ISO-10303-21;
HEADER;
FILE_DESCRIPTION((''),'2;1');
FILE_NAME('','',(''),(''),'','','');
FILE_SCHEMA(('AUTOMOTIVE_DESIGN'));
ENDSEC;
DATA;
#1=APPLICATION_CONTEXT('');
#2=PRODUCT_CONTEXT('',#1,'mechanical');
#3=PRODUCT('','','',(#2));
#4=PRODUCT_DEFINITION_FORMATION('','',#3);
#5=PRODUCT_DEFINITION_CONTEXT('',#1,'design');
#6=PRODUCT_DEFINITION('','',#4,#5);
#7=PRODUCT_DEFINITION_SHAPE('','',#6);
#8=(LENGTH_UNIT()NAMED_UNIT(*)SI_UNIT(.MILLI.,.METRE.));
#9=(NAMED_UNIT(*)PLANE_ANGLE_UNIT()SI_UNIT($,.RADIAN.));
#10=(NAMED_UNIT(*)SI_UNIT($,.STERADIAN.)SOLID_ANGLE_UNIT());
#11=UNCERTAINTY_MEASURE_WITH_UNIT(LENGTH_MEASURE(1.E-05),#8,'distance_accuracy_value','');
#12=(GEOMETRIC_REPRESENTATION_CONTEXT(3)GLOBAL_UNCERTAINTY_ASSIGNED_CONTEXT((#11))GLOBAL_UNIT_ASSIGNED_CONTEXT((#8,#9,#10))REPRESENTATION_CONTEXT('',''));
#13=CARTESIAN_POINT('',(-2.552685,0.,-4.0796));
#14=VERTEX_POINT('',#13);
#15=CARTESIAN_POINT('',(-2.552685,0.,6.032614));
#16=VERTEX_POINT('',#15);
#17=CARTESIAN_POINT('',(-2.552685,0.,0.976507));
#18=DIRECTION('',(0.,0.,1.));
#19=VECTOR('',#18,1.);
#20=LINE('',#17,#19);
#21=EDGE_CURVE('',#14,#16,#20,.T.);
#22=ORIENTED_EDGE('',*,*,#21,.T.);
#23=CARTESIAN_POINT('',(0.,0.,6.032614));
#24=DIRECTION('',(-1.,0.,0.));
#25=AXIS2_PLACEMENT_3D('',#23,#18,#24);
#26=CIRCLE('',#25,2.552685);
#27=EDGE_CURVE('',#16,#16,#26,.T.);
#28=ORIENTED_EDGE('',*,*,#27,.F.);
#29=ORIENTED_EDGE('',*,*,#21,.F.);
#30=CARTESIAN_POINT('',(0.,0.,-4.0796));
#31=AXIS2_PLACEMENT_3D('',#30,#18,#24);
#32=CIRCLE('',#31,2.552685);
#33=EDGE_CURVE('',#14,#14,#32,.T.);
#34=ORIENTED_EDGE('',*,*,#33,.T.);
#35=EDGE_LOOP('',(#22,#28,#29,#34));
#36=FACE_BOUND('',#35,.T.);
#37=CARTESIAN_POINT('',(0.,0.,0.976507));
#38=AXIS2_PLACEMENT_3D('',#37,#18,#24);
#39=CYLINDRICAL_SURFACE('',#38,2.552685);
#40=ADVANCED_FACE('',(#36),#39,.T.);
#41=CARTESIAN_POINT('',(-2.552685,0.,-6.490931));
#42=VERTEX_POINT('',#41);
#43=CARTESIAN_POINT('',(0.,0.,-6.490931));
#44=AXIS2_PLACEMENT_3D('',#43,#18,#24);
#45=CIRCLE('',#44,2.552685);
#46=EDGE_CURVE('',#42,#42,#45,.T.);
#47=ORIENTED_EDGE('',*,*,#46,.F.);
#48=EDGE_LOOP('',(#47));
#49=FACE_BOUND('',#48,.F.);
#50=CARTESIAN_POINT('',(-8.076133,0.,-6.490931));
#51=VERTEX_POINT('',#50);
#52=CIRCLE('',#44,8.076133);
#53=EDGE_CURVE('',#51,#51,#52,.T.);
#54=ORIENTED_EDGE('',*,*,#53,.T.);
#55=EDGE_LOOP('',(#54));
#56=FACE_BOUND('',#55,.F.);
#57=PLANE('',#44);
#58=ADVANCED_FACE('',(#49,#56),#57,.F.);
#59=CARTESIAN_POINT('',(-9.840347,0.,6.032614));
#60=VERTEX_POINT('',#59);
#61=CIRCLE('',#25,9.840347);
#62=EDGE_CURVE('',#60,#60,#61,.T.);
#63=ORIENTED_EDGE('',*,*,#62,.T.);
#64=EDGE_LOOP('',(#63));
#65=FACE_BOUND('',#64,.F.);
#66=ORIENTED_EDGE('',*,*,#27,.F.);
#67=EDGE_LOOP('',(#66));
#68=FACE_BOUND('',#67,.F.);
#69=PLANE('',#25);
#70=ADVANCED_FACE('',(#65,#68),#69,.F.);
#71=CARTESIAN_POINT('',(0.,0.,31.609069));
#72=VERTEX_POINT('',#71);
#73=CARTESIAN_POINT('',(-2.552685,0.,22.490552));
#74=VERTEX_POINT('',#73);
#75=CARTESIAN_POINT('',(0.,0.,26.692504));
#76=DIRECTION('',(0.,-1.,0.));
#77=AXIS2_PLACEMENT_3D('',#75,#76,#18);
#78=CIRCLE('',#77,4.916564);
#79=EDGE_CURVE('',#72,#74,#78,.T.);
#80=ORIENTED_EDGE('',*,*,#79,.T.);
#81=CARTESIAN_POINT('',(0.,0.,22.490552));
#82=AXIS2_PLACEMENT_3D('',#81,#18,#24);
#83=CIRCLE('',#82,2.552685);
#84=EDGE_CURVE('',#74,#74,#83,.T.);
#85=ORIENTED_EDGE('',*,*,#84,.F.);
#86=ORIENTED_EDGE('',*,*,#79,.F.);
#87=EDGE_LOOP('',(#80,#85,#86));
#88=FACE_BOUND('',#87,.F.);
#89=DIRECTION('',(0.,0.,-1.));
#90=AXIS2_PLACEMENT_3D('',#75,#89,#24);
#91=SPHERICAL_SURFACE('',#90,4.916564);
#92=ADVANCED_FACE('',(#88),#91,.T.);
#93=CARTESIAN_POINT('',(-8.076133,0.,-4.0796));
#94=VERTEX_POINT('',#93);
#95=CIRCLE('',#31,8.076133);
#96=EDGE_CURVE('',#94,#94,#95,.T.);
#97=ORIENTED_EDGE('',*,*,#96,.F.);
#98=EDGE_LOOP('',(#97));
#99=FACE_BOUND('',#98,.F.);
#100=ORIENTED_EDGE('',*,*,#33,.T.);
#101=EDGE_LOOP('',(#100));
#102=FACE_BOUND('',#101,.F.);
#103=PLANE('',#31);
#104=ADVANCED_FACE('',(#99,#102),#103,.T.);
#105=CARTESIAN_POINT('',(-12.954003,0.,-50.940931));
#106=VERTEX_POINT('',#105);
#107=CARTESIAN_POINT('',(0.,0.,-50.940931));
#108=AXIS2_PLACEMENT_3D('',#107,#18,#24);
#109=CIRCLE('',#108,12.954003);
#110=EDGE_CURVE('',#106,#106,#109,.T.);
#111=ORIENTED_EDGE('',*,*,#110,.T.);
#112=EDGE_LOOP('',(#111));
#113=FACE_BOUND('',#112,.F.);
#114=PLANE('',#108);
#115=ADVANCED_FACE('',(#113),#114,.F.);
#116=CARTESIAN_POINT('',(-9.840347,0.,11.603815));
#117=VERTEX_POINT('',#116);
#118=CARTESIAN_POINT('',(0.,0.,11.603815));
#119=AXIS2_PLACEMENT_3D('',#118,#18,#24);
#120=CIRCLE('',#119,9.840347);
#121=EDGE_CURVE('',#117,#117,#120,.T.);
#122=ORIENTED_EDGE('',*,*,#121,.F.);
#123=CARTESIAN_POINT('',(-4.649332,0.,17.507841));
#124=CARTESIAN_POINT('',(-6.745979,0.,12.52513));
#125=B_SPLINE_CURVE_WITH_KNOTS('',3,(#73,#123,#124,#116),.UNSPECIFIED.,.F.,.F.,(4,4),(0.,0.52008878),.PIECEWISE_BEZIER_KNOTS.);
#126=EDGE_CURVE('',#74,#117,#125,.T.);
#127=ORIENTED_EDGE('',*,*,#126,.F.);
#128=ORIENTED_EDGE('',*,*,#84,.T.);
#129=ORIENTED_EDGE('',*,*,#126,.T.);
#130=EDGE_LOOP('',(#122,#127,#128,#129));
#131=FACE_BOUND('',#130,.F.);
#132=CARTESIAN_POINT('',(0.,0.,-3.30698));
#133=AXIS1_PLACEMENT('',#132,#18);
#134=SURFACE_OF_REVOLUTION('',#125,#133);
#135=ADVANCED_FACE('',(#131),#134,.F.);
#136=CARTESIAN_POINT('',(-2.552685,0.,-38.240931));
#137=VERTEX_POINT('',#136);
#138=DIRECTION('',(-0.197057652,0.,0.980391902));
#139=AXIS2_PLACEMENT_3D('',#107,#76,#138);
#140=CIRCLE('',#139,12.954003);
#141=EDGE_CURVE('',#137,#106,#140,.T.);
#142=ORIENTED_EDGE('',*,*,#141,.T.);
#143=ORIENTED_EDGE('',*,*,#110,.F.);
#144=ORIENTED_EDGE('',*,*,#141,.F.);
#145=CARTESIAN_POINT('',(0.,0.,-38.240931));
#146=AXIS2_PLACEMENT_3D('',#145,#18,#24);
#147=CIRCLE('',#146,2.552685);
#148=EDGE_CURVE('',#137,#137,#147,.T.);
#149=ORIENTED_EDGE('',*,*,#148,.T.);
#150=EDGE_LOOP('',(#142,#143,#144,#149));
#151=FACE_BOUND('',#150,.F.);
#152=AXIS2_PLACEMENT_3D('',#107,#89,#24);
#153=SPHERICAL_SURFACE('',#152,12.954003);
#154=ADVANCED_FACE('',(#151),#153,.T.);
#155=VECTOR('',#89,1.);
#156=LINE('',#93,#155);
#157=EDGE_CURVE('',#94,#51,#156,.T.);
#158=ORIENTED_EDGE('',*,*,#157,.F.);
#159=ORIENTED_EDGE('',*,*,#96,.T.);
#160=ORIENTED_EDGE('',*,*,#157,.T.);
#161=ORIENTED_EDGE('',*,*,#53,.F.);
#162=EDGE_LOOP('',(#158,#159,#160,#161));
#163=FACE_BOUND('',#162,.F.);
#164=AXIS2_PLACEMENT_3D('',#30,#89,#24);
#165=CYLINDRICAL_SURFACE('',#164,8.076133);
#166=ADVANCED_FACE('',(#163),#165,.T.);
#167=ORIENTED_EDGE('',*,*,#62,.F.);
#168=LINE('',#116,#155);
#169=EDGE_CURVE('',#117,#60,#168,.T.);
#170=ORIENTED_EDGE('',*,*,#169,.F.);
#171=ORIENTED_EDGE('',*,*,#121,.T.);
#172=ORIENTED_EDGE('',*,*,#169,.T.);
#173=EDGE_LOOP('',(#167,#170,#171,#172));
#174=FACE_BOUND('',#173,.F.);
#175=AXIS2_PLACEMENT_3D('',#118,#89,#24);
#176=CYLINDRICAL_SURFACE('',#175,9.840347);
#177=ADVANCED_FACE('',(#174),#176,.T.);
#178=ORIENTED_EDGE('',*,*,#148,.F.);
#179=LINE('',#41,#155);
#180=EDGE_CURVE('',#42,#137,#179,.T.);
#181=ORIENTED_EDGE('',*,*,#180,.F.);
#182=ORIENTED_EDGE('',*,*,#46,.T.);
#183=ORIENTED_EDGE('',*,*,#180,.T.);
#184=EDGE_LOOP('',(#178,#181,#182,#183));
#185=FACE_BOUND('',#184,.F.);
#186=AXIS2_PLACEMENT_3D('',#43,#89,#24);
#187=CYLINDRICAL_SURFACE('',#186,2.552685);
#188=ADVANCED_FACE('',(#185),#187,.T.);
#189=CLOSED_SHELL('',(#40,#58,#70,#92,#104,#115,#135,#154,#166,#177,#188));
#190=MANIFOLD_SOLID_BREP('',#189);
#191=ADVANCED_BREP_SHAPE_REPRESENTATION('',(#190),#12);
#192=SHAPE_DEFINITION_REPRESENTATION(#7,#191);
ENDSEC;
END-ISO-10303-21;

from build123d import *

# Parameters (mm, degrees)
F0_W = 2.5526854842
F0_H = 10.1122138213


with BuildPart() as f1:
    # F0 (on Front) → F1 (revolve)
    with BuildSketch(Plane.XZ):
        with BuildLine():
            Line((-12.954003365, -50.9409314715), (0, -50.9409314715))
            Line((0, -50.9409314715), (0, -6.4909314715))
            Line((0, -6.4909314715), (-2.5526854842, -6.4909314715))
            Line((-2.5526854842, -6.4909314715), (-2.5526854842, -38.2409314715))
            ThreePointArc((-2.5526854842, -38.2409314715), (-10.0218186856, -42.7330478579), (-12.954003365, -50.9409314715))
        make_face()
        Polygon((-2.5526854842, -6.4909314715), (0, -6.4909314715), (0, -4.079599589), (-2.5526854842, -4.079599589), (-8.0761329529, -4.079599589), (-8.0761329529, -6.4909314715), align=None)
        with Locations((-1.2763427421, 0.9765073217)):
            Rectangle(F0_W, F0_H)
        Polygon((-2.5526854842, 6.0326142323), (0, 6.0326142323), (0, 11.6038150552), (-9.8403467364, 11.6038150552), (-9.8403467364, 6.0326142323), align=None)
        with BuildLine():
            Line((-9.8403467364, 11.6038150552), (0, 11.6038150552))
            Line((0, 11.6038150552), (0, 31.6090685285))
            ThreePointArc((0, 31.6090685285), (-4.7345416904, 28.017916895), (-2.5526854842, 22.4905523723))
            add(Edge.make_bspline(
                [(-2.5526854842, 22.4905523723), (-4.6493321496, 17.5078412864), (-6.7459788149, 12.5251302005), (-9.8403467364, 11.6038150552)],
                knots=[0, 0, 0, 0, 0.5200887798, 0.5200887798, 0.5200887798, 0.5200887798], degree=3))
        make_face()
    revolve(axis=Axis((0, 0, -3.3069803269), (0, 0, 1)))


solid = f1.part
